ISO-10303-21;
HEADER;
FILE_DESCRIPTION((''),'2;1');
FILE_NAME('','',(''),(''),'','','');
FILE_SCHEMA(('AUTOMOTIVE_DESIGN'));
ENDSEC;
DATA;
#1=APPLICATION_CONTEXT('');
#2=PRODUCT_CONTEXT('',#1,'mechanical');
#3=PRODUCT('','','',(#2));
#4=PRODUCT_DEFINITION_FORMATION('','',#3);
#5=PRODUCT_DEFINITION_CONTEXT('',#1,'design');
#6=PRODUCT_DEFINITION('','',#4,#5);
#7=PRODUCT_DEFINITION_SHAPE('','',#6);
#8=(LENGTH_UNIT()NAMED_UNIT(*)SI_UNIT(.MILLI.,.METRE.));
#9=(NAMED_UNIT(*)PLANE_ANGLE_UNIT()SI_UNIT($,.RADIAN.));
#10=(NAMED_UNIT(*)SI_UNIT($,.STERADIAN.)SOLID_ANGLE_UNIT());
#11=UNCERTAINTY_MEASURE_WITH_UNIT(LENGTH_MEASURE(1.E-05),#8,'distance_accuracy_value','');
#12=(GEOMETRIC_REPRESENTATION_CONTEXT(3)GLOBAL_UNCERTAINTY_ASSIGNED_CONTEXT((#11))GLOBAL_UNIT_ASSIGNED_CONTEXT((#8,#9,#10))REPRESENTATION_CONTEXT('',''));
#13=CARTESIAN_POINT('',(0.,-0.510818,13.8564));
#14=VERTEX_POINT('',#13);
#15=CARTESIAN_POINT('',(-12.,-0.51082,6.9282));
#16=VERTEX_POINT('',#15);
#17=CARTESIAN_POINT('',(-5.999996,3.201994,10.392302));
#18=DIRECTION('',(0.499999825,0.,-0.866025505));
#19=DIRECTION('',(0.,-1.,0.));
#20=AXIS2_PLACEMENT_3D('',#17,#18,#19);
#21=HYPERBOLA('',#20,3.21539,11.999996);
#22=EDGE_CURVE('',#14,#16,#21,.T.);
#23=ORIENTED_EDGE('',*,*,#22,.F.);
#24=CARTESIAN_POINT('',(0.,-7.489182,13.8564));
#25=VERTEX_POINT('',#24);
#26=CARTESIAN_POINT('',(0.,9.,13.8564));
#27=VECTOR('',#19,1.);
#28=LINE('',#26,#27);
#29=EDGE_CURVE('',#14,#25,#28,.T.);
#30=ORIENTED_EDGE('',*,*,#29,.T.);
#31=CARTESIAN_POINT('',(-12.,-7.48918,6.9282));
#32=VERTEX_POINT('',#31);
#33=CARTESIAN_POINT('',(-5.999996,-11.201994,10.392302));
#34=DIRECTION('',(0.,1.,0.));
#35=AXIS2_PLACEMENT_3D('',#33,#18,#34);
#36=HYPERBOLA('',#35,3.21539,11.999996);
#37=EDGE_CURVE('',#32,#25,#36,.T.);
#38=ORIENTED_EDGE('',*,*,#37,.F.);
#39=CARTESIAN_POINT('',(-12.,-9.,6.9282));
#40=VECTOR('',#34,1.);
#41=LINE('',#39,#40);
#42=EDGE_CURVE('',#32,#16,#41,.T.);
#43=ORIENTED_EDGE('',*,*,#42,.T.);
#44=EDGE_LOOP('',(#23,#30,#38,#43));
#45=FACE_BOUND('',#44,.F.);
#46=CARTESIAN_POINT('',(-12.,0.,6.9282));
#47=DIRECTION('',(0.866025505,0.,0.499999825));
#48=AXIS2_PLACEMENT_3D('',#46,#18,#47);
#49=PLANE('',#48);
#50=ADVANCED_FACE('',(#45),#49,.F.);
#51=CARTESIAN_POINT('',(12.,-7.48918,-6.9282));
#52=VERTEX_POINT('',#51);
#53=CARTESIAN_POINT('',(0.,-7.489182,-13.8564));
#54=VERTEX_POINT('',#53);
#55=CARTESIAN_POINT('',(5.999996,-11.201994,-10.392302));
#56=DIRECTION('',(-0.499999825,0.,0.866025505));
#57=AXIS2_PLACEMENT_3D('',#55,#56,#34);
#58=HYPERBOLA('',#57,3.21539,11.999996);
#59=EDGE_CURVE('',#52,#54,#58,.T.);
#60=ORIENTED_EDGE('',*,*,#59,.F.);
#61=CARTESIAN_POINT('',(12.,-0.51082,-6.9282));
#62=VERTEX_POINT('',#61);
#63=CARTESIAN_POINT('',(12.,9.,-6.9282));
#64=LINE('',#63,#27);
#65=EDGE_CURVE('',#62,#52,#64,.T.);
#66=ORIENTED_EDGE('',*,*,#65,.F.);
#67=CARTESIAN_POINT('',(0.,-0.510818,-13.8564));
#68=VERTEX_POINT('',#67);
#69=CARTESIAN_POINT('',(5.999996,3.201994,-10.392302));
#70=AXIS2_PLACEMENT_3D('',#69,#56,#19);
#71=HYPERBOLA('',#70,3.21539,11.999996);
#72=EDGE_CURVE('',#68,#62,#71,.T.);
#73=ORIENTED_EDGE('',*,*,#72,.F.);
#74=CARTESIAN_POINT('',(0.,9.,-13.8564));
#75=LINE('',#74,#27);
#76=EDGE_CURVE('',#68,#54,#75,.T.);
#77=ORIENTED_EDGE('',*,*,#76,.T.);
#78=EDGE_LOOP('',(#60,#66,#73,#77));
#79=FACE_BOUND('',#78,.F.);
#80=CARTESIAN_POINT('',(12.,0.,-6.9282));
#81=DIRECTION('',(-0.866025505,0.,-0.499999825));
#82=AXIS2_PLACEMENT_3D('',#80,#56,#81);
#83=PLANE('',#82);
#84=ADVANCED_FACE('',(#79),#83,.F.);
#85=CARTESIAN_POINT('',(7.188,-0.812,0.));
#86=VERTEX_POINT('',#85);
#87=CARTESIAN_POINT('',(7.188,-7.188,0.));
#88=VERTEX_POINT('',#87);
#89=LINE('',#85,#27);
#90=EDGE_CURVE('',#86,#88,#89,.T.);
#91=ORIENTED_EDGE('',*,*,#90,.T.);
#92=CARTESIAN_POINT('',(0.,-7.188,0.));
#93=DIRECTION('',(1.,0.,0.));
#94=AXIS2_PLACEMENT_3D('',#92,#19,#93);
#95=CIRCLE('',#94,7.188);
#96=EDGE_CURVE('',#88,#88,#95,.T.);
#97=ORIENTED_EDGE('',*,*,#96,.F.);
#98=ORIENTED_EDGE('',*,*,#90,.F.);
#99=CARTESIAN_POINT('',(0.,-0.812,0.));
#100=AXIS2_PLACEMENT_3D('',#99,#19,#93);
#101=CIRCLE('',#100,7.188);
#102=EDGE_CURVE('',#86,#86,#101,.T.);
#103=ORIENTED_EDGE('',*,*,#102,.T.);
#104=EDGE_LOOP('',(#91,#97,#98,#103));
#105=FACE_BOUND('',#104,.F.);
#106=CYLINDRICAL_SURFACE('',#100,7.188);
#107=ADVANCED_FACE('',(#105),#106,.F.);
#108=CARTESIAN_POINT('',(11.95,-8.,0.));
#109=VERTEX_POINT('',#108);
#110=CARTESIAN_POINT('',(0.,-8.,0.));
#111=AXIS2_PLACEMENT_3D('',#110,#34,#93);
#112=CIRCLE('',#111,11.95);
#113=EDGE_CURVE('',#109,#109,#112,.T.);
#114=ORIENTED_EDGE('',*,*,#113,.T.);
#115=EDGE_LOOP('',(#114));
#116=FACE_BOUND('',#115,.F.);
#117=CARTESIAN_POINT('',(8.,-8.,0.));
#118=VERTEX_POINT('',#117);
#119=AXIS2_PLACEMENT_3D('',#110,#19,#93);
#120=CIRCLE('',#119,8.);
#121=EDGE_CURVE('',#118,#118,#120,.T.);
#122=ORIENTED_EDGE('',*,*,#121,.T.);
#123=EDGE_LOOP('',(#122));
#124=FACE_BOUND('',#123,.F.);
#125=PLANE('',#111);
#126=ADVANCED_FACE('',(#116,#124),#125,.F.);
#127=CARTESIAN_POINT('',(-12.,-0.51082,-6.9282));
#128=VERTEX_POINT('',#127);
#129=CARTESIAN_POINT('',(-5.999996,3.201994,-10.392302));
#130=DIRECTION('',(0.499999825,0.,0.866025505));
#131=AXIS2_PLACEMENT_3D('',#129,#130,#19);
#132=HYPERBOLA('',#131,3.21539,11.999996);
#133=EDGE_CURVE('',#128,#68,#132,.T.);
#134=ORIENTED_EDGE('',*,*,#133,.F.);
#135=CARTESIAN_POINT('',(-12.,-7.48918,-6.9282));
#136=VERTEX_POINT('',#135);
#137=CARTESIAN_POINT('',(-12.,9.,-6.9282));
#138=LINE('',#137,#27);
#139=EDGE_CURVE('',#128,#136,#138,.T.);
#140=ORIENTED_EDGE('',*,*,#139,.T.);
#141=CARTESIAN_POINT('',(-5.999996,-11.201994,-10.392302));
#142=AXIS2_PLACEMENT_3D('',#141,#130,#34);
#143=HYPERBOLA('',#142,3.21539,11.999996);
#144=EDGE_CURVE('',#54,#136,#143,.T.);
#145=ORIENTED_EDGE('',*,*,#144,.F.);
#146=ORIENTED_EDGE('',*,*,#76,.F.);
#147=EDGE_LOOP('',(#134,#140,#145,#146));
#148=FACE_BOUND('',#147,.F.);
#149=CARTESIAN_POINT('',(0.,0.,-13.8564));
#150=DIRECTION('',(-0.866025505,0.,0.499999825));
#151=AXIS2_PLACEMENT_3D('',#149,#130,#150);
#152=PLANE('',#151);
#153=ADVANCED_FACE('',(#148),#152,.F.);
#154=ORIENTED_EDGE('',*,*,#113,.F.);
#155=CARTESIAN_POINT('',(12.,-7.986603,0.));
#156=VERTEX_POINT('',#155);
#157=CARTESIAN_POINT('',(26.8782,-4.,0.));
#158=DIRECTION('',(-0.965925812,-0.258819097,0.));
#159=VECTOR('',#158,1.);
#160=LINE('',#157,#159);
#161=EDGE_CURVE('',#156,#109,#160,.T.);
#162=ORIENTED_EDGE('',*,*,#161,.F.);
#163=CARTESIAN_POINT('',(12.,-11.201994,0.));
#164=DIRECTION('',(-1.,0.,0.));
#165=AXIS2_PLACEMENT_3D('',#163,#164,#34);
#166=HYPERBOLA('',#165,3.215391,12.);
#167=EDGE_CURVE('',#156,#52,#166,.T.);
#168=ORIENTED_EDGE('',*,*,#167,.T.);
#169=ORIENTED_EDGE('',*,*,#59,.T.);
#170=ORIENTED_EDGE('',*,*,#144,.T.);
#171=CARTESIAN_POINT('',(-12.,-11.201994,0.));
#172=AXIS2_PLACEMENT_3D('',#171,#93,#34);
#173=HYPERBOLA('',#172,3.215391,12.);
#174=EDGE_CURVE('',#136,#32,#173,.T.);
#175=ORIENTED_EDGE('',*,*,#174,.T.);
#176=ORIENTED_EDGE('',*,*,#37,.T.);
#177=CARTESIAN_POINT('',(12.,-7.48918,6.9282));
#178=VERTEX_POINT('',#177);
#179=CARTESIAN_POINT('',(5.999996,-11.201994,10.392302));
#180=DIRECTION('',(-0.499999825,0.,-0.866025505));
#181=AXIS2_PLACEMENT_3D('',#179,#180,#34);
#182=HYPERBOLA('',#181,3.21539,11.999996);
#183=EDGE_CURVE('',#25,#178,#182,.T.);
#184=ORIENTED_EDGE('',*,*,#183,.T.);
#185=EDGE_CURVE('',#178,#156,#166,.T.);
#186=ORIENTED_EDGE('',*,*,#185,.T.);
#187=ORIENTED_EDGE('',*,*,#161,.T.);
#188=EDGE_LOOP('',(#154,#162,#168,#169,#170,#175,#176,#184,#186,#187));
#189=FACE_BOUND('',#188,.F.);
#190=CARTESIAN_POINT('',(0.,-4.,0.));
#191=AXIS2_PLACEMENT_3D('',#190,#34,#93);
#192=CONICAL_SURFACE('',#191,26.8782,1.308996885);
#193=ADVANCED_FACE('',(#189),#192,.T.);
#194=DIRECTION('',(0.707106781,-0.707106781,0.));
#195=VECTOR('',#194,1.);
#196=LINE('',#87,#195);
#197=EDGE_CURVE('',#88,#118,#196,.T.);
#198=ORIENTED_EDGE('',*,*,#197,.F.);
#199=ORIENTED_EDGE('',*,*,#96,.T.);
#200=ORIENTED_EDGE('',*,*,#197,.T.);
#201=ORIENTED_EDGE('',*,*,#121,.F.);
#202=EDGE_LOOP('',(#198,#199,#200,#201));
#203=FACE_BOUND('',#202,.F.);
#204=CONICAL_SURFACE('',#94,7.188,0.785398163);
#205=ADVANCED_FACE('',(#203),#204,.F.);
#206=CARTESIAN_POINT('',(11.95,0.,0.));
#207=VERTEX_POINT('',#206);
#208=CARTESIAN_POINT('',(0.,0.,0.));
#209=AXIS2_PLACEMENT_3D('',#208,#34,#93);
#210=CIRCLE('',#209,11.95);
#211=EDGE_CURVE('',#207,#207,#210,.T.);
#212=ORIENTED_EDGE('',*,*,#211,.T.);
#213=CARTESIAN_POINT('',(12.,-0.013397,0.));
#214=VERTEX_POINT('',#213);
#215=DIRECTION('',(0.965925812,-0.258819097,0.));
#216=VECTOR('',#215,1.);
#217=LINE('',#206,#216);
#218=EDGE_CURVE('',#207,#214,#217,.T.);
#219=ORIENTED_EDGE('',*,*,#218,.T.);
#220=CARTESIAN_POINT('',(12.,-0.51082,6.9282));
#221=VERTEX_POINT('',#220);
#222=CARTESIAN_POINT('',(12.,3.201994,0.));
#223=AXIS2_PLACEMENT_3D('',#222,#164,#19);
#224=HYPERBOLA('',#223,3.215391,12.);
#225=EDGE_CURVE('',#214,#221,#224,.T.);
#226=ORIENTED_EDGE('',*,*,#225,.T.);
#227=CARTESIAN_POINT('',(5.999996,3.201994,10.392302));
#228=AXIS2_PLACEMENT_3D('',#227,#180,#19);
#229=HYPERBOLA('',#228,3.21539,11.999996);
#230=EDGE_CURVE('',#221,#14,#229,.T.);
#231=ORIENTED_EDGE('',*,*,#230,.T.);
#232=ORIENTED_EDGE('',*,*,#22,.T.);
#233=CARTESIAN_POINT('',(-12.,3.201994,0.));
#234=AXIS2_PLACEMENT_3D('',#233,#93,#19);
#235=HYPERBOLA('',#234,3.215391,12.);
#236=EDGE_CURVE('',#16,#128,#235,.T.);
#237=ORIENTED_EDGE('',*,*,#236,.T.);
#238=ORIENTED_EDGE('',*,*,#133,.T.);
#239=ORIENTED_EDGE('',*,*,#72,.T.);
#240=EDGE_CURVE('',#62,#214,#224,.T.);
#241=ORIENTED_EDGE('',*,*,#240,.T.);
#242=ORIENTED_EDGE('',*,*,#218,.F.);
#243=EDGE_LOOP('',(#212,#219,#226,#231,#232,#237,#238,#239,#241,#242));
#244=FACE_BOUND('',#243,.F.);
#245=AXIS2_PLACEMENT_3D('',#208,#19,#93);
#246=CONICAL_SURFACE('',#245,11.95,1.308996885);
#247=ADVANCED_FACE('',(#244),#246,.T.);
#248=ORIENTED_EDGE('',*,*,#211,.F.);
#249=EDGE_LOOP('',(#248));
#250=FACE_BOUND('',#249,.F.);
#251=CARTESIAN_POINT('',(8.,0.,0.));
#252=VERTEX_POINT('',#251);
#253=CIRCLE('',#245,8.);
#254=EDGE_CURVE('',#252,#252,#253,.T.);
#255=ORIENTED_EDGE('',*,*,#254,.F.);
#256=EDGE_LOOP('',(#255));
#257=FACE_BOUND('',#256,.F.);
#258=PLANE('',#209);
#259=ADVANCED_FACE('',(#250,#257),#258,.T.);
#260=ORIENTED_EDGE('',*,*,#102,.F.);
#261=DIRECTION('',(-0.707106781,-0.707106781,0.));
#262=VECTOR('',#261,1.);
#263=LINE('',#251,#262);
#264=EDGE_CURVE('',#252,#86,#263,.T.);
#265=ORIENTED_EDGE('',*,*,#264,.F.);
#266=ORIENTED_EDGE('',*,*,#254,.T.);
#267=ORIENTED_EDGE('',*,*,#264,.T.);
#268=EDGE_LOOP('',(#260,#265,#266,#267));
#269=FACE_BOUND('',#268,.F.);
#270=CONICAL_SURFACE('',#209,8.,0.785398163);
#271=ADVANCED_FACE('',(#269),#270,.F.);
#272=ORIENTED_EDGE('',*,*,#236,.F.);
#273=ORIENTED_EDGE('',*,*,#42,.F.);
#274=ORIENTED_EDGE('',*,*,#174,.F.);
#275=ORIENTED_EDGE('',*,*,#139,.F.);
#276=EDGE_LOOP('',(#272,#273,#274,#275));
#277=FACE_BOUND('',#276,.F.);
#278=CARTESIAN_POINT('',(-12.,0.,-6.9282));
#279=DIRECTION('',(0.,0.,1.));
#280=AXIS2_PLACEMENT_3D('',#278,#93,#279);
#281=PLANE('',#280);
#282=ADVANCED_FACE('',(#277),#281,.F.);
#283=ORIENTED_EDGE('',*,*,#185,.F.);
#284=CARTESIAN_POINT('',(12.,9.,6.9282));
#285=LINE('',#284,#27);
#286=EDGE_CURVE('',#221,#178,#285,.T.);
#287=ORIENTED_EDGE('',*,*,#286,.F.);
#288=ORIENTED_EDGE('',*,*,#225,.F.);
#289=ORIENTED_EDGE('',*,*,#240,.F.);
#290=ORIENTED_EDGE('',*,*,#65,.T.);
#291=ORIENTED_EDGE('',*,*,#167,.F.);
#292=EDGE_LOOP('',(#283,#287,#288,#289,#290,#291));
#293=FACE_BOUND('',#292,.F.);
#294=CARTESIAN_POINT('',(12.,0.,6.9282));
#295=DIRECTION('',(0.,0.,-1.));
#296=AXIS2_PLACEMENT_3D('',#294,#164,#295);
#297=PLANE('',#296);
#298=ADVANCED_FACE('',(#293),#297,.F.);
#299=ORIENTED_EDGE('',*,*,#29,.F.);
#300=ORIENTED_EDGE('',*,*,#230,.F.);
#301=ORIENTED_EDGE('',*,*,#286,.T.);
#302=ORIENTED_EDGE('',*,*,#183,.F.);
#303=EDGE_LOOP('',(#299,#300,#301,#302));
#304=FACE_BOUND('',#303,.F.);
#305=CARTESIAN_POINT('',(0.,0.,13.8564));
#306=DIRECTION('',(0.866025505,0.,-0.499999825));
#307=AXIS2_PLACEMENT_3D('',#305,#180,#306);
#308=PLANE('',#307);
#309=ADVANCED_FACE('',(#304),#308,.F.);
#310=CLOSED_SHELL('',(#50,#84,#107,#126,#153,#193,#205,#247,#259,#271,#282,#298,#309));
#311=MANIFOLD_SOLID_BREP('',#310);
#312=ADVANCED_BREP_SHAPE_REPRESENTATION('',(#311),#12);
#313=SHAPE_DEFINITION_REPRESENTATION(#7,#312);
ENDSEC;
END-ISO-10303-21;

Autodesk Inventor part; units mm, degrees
sketch "Sketch_1" plane through (0, 0, 0) normal (0, 0, 1) x (1, 0, 0)
  line L0 (0, -8) -> (0, 0)
  line L1 (0, 0) -> (11.95, 0)
  line L2 (11.95, 0) -> (26.8782, -4)
  line L3 (26.8782, -4) -> (11.95, -8)
  line L4 (11.95, -8) -> (0, -8)
  line L5 (0, -8) -> (0, 0)
revolve "Revolution1" add sketch "Sketch_1" angle 360 about axis through (0, -8, 0) along (0, 1, 0)
sketch "Sketch_2" plane through (0, 0, 0) normal (0, 1, 0) x (-1, 0, 0)
  line L0 (48, -48) -> (48, 48)
  line L1 (48, 48) -> (-48, 48)
  line L2 (-48, 48) -> (-48, -48)
  line L3 (-48, -48) -> (48, -48)
  line L4 (12, 6.9282) -> (0, 13.8564)
  line L5 (0, 13.8564) -> (-12, 6.9282)
  line L6 (-12, 6.9282) -> (-12, -6.9282)
  line L7 (-12, -6.9282) -> (0, -13.8564)
  line L8 (0, -13.8564) -> (12, -6.9282)
  line L9 (12, -6.9282) -> (12, 6.9282)
extrude "Extrusion1" cut sketch "Sketch_2" along normal mid plane 18
sketch "Sketch_3" plane through (0, 0, 0) normal (0, 0, 1) x (1, 0, 0)
  line L0 (0, -8) -> (0, 0)
  line L1 (0, 0) -> (8, 0)
  line L2 (8, 0) -> (7.188, -0.812)
  line L3 (7.188, -0.812) -> (7.188, -7.188)
  line L4 (7.188, -7.188) -> (8, -8)
  line L5 (8, -8) -> (0, -8)
  line L6 (0, -8) -> (0, 0)
revolve "Revolution2" cut sketch "Sketch_3" angle 360 about axis through (0, -8, 0) along (0, -1, 0)
thread "Thread1" size "M16x1.5" class "6H" standard "ISO Metric profile" full length
ref_plane "2CYL_XY" through (0, -4, 0) normal (0, 1, 0) x (1, 0, 0)
ref_plane "2CYL_YZ" through (0, -4, 0) normal (1, 0, 0) x (0, 0, -1)
ref_plane "2CYL_ZX" through (0, -4, 0) normal (0, 0, -1) x (0, 1, 0)
ref_plane "din439b_punkt_XY" through (0, 0, 0) normal (0, 1, 0) x (1, 0, 0)
ref_plane "din439b_punkt_YZ" through (0, 0, 0) normal (1, 0, 0) x (0, 0, -1)
ref_plane "din439b_punkt_ZX" through (0, 0, 0) normal (0, 0, -1) x (0, 1, 0)
properties part number "DIN-439-B - M16x1.5(F)"
